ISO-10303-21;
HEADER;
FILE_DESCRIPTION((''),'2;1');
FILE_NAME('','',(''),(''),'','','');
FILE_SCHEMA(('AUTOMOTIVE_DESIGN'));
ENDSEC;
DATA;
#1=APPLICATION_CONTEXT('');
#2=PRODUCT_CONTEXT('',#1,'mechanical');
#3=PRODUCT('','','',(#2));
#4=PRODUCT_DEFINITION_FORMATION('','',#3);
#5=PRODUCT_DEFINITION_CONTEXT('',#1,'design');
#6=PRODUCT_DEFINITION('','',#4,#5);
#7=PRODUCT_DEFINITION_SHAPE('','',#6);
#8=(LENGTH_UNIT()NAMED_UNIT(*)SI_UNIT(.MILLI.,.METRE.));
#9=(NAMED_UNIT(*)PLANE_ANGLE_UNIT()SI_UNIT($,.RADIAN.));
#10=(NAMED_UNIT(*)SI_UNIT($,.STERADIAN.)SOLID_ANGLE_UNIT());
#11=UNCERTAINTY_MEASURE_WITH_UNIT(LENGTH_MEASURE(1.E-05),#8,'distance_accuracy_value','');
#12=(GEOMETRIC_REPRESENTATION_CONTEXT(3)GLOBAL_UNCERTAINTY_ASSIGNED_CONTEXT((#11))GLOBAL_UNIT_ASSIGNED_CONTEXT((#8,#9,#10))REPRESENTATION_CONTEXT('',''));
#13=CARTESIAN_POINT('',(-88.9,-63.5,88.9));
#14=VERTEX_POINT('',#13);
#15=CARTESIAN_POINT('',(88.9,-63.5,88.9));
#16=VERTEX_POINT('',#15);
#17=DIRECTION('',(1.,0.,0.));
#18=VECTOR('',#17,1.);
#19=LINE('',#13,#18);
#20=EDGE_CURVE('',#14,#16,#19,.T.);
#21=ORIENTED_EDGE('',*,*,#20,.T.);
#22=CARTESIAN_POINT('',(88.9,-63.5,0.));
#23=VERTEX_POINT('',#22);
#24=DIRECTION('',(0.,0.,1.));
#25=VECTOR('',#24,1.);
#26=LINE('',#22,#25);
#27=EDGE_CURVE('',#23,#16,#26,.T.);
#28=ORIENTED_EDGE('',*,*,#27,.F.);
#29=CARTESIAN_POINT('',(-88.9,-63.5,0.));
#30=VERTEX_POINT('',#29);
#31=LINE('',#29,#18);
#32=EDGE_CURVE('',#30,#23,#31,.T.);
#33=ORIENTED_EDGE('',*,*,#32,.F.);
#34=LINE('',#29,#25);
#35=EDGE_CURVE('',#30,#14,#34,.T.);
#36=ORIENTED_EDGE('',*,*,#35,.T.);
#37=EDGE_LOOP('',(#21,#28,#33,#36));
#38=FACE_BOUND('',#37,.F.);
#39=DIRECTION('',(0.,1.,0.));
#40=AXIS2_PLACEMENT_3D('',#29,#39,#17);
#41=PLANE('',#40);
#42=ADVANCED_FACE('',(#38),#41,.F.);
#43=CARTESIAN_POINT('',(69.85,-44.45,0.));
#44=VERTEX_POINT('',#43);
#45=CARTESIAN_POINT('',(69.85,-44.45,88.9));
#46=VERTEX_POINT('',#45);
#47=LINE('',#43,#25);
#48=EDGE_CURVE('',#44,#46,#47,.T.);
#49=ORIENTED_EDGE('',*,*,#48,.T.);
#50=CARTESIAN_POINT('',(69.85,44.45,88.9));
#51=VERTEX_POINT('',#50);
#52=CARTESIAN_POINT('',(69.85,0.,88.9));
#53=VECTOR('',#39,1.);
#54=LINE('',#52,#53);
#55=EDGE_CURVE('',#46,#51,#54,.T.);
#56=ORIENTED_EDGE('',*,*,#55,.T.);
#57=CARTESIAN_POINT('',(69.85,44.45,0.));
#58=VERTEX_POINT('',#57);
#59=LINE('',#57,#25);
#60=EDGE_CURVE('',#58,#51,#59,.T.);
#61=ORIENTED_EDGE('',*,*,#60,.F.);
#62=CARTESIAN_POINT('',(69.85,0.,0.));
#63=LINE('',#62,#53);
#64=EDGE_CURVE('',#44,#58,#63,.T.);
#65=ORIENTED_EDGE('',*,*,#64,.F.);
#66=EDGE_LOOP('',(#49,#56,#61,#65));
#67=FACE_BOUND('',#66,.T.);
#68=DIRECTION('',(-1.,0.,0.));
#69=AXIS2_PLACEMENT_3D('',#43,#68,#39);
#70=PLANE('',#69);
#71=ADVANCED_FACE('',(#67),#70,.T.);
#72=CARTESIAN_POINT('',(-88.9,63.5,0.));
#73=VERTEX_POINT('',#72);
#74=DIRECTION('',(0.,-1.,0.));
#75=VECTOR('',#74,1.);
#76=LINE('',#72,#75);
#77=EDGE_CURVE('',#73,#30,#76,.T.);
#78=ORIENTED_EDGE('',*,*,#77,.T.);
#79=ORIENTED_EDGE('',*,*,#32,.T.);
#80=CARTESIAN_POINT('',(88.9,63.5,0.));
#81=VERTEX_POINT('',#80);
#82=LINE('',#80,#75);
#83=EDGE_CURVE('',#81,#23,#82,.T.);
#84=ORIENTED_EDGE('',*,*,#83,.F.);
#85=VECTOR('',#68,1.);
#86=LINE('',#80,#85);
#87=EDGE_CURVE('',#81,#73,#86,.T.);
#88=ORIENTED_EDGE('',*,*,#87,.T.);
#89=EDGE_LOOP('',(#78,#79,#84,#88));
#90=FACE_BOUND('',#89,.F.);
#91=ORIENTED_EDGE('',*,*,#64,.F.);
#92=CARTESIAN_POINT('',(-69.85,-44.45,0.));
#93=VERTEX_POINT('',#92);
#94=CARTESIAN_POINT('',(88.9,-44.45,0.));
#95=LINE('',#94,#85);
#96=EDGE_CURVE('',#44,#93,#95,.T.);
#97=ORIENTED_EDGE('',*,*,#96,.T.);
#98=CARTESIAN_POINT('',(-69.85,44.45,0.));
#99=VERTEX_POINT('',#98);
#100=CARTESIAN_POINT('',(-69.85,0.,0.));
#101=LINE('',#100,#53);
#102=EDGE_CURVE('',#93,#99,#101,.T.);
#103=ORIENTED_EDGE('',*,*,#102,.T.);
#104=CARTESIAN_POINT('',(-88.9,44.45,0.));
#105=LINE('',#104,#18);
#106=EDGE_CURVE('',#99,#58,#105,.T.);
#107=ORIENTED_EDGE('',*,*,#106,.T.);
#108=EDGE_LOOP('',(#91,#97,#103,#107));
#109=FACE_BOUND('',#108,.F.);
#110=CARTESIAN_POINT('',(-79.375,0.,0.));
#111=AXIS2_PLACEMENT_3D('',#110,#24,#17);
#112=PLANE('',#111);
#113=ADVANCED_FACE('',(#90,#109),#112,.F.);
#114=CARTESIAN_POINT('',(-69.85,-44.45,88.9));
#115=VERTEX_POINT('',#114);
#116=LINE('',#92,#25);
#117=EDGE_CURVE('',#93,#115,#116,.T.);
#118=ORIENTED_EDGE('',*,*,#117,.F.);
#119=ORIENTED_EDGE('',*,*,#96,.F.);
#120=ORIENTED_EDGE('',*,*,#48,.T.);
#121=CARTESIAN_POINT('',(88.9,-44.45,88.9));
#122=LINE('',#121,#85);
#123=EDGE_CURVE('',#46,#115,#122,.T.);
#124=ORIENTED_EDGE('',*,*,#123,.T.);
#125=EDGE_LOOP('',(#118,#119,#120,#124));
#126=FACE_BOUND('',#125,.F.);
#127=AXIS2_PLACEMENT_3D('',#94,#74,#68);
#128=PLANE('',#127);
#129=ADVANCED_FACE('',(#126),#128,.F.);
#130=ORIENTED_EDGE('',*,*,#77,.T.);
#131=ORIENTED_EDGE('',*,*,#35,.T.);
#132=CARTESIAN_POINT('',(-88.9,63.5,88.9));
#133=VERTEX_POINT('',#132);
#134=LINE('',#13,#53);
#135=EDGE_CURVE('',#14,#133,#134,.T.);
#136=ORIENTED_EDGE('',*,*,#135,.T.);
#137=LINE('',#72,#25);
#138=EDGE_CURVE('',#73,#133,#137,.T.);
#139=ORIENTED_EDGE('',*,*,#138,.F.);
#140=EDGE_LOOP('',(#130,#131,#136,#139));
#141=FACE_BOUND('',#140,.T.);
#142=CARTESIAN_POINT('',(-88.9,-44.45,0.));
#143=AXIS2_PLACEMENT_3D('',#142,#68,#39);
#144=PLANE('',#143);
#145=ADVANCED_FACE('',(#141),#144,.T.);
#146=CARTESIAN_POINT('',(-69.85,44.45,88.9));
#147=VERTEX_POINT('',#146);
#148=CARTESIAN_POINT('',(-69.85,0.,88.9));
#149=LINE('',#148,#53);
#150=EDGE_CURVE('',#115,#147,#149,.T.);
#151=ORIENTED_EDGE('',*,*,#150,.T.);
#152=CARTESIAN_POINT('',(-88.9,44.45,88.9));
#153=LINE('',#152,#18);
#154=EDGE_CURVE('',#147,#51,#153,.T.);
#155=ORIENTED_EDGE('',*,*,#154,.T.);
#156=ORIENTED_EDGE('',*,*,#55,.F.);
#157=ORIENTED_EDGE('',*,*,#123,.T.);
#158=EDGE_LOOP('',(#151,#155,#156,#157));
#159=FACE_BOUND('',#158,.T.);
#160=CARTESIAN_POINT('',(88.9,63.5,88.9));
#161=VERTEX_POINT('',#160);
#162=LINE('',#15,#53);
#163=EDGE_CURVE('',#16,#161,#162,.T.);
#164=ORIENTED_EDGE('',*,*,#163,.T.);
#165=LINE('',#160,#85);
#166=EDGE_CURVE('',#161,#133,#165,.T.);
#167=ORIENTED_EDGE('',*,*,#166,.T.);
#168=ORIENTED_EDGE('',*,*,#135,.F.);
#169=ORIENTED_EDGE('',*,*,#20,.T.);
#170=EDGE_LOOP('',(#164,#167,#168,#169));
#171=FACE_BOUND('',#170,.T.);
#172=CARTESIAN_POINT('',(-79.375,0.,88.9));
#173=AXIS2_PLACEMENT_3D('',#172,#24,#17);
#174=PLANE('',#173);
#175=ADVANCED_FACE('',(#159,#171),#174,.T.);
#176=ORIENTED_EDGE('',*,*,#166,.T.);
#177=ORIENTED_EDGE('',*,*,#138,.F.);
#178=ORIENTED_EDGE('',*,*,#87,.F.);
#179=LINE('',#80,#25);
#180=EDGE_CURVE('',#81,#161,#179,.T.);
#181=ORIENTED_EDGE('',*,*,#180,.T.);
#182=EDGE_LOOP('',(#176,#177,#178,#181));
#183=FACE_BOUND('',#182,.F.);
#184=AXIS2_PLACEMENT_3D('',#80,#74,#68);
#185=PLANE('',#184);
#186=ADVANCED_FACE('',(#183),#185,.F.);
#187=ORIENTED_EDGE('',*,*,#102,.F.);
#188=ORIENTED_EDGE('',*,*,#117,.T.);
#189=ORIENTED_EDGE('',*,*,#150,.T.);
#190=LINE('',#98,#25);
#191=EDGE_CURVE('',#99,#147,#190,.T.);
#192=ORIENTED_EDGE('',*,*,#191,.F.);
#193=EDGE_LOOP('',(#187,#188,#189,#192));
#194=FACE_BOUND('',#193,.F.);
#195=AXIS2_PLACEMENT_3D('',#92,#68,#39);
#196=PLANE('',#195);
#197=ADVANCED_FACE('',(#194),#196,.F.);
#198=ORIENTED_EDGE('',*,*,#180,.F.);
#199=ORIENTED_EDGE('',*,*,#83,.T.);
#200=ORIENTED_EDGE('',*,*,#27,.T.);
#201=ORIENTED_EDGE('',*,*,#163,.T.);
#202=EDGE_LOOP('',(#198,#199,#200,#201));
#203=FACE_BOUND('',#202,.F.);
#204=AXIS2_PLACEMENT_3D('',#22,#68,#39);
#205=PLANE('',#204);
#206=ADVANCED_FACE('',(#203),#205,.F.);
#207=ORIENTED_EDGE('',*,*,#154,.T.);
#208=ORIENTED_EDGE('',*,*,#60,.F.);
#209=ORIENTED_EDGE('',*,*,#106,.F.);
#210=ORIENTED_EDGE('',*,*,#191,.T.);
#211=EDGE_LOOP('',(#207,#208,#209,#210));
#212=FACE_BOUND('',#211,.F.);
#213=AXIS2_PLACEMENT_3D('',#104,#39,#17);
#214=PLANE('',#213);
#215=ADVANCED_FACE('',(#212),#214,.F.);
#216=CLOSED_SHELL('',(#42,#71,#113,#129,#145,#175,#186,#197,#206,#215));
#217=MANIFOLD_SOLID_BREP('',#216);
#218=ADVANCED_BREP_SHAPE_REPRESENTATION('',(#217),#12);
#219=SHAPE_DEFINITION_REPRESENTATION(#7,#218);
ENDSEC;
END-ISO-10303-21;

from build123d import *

# Parameters (mm, degrees)
F1_DEPTH = 88.9
F0_W     = 19.05
F0_H     = 88.9
F2_DEPTH = 88.9


with BuildPart() as f1:
    # F0 (on Top) → F1 (new body)
    with BuildSketch(Plane.XY):
        Polygon((88.9, 63.5), (-88.9, 63.5), (-88.9, 44.45), (-69.85, 44.45), (69.85, 44.45), (88.9, 44.45), align=None)
        Polygon((-69.85, -44.45), (-88.9, -44.45), (-88.9, -63.5), (88.9, -63.5), (88.9, -44.45), (69.85, -44.45), align=None)
    extrude(amount=F1_DEPTH)

    # F0 (on Top) → F2 (join)
    with BuildSketch(Plane.XY):
        with Locations((-79.375, 0)):
            Rectangle(F0_W, F0_H)
        with Locations((79.375, 0)):
            Rectangle(F0_W, F0_H)
    extrude(amount=F2_DEPTH)


solid = f1.part
